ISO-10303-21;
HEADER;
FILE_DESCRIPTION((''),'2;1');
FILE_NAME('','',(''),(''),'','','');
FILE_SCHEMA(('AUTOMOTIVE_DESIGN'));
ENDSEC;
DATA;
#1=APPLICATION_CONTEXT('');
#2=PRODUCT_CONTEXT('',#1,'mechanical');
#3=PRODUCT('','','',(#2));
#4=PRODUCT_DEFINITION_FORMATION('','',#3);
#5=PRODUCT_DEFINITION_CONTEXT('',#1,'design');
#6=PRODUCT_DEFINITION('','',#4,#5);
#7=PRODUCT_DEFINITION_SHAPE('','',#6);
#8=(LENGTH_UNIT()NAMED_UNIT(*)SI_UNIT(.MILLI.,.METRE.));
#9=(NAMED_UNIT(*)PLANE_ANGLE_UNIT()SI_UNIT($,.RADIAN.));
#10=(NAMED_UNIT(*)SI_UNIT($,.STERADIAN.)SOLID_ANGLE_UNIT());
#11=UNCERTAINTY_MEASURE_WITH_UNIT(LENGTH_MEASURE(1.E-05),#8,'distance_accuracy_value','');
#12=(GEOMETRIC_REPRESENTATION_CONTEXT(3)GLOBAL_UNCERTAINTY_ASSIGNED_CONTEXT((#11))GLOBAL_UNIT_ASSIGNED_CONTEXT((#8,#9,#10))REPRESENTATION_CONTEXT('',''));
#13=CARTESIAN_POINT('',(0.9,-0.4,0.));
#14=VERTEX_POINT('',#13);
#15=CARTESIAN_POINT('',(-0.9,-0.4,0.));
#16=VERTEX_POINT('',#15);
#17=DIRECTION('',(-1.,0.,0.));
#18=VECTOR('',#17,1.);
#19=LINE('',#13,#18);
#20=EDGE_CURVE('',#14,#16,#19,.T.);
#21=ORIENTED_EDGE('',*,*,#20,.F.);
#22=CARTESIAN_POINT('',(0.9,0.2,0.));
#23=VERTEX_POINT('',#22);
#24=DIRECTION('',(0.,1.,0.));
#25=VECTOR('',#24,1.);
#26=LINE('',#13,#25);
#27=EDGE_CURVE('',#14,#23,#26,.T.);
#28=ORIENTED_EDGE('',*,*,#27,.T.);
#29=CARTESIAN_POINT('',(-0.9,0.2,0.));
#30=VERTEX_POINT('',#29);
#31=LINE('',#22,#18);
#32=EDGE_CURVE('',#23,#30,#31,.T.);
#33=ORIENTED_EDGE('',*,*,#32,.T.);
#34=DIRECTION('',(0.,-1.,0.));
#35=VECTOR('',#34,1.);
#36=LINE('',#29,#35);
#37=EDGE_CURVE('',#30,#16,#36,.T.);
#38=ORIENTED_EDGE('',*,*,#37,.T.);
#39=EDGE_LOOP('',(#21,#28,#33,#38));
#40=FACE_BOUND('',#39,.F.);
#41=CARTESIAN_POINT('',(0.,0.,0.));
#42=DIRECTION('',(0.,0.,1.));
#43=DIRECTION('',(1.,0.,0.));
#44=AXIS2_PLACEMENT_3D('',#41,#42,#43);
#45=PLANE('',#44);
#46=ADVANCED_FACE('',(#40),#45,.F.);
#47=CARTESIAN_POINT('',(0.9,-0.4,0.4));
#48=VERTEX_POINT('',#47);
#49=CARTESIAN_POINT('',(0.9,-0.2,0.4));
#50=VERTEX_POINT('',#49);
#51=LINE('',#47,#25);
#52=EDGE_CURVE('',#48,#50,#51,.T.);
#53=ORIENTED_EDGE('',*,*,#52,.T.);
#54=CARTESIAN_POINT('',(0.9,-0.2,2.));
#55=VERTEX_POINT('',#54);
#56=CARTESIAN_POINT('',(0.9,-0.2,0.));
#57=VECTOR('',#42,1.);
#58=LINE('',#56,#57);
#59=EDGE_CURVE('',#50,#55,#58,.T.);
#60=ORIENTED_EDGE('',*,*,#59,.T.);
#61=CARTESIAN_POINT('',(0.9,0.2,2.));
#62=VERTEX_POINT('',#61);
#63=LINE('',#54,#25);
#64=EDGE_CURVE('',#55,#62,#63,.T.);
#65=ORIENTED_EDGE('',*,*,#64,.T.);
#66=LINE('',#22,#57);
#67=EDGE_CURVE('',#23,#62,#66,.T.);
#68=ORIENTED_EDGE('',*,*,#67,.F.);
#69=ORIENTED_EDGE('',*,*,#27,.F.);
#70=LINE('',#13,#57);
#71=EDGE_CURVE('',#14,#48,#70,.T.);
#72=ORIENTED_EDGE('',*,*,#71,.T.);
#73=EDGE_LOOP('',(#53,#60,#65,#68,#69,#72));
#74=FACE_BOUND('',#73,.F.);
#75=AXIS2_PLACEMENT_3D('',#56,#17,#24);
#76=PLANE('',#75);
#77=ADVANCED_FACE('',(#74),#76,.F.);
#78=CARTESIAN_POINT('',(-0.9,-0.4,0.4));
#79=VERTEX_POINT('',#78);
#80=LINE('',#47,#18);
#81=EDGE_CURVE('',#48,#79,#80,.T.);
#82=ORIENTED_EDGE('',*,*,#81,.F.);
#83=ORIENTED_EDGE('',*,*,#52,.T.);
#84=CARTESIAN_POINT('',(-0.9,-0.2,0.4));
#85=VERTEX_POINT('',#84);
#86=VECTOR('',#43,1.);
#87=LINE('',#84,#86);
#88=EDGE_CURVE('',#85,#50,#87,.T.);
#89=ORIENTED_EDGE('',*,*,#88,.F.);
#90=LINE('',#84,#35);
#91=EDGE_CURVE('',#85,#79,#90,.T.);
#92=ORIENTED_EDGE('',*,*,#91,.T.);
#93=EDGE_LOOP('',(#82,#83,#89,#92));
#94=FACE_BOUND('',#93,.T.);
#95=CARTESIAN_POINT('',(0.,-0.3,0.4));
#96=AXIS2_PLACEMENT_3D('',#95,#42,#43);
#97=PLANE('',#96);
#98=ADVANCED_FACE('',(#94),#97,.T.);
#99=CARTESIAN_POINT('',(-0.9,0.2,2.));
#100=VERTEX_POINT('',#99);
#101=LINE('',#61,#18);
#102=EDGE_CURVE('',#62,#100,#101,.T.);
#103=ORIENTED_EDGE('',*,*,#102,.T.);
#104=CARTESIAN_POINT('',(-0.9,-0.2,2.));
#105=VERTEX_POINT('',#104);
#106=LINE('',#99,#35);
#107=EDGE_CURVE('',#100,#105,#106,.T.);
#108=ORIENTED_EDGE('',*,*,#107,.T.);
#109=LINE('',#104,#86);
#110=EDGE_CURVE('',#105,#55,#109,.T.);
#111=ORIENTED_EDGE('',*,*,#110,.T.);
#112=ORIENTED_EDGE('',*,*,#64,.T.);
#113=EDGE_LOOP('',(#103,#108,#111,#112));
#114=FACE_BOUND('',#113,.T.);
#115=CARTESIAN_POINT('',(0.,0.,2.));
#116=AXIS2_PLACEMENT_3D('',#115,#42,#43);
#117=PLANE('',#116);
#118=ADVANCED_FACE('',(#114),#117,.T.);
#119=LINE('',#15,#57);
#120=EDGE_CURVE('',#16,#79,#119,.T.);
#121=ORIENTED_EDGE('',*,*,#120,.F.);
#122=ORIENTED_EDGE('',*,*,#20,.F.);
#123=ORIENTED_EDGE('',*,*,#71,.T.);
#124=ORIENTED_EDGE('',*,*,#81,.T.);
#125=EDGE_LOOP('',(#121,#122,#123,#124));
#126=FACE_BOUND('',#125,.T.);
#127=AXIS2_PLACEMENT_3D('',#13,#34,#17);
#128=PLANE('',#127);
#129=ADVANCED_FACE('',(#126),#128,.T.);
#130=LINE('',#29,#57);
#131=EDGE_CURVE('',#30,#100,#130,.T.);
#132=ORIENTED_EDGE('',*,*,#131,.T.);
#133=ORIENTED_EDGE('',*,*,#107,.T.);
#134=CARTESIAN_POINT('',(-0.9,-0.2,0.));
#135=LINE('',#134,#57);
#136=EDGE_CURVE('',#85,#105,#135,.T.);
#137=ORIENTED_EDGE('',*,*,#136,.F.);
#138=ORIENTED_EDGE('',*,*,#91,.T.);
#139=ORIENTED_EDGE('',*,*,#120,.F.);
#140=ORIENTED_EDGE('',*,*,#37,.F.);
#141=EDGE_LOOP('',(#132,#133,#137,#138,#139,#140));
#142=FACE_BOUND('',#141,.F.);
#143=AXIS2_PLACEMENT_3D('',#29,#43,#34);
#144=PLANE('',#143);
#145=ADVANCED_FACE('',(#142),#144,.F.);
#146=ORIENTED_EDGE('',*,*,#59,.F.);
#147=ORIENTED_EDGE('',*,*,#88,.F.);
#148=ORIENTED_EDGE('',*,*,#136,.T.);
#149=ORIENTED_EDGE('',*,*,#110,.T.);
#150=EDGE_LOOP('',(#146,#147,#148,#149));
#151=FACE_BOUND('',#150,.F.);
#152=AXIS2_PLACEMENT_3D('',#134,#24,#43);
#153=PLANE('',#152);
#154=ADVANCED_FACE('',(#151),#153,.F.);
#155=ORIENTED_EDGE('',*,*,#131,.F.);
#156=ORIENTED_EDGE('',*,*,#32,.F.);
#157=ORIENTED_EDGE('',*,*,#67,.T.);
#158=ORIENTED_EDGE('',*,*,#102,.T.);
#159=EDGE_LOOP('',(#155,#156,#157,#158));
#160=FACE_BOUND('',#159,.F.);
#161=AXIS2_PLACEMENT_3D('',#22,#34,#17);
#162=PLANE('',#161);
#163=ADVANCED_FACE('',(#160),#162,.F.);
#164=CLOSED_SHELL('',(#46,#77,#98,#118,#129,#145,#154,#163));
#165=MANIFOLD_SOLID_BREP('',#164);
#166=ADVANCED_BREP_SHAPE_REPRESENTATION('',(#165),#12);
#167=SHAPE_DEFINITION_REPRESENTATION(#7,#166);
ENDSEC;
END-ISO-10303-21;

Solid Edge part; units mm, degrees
sketch "Sketch1" plane through (0, 0, 0) normal (0, 0, 1) x (1, 0, 0)
  line L0 (-0.9, -0.2) -> (0.9, -0.2)
  line L1 (0.9, -0.2) -> (0.9, 0.2)
  line L2 (0.9, 0.2) -> (-0.9, 0.2)
  line L3 (-0.9, 0.2) -> (-0.9, -0.2)
  dimension "D1" = 0.4
  dimension "D2" = 1.8
extrude "Protrusion1" add sketch "Sketch1" along normal blind 2
sketch "Sketch2" plane through (0, 0, 0) normal (0, 0, -1) x (-1, 0, 0)
  line L0 (0.9, -0.2) -> (0.9, -0.4)
  line L1 (-0.9, -0.4) -> (0.9, -0.4)
  line L2 (-0.9, -0.4) -> (-0.9, -0.2)
  line L3 (0.9, -0.2) -> (-0.9, -0.2)
extrude "Ausprägung_2" add sketch "Sketch2" against normal blind 0.4
